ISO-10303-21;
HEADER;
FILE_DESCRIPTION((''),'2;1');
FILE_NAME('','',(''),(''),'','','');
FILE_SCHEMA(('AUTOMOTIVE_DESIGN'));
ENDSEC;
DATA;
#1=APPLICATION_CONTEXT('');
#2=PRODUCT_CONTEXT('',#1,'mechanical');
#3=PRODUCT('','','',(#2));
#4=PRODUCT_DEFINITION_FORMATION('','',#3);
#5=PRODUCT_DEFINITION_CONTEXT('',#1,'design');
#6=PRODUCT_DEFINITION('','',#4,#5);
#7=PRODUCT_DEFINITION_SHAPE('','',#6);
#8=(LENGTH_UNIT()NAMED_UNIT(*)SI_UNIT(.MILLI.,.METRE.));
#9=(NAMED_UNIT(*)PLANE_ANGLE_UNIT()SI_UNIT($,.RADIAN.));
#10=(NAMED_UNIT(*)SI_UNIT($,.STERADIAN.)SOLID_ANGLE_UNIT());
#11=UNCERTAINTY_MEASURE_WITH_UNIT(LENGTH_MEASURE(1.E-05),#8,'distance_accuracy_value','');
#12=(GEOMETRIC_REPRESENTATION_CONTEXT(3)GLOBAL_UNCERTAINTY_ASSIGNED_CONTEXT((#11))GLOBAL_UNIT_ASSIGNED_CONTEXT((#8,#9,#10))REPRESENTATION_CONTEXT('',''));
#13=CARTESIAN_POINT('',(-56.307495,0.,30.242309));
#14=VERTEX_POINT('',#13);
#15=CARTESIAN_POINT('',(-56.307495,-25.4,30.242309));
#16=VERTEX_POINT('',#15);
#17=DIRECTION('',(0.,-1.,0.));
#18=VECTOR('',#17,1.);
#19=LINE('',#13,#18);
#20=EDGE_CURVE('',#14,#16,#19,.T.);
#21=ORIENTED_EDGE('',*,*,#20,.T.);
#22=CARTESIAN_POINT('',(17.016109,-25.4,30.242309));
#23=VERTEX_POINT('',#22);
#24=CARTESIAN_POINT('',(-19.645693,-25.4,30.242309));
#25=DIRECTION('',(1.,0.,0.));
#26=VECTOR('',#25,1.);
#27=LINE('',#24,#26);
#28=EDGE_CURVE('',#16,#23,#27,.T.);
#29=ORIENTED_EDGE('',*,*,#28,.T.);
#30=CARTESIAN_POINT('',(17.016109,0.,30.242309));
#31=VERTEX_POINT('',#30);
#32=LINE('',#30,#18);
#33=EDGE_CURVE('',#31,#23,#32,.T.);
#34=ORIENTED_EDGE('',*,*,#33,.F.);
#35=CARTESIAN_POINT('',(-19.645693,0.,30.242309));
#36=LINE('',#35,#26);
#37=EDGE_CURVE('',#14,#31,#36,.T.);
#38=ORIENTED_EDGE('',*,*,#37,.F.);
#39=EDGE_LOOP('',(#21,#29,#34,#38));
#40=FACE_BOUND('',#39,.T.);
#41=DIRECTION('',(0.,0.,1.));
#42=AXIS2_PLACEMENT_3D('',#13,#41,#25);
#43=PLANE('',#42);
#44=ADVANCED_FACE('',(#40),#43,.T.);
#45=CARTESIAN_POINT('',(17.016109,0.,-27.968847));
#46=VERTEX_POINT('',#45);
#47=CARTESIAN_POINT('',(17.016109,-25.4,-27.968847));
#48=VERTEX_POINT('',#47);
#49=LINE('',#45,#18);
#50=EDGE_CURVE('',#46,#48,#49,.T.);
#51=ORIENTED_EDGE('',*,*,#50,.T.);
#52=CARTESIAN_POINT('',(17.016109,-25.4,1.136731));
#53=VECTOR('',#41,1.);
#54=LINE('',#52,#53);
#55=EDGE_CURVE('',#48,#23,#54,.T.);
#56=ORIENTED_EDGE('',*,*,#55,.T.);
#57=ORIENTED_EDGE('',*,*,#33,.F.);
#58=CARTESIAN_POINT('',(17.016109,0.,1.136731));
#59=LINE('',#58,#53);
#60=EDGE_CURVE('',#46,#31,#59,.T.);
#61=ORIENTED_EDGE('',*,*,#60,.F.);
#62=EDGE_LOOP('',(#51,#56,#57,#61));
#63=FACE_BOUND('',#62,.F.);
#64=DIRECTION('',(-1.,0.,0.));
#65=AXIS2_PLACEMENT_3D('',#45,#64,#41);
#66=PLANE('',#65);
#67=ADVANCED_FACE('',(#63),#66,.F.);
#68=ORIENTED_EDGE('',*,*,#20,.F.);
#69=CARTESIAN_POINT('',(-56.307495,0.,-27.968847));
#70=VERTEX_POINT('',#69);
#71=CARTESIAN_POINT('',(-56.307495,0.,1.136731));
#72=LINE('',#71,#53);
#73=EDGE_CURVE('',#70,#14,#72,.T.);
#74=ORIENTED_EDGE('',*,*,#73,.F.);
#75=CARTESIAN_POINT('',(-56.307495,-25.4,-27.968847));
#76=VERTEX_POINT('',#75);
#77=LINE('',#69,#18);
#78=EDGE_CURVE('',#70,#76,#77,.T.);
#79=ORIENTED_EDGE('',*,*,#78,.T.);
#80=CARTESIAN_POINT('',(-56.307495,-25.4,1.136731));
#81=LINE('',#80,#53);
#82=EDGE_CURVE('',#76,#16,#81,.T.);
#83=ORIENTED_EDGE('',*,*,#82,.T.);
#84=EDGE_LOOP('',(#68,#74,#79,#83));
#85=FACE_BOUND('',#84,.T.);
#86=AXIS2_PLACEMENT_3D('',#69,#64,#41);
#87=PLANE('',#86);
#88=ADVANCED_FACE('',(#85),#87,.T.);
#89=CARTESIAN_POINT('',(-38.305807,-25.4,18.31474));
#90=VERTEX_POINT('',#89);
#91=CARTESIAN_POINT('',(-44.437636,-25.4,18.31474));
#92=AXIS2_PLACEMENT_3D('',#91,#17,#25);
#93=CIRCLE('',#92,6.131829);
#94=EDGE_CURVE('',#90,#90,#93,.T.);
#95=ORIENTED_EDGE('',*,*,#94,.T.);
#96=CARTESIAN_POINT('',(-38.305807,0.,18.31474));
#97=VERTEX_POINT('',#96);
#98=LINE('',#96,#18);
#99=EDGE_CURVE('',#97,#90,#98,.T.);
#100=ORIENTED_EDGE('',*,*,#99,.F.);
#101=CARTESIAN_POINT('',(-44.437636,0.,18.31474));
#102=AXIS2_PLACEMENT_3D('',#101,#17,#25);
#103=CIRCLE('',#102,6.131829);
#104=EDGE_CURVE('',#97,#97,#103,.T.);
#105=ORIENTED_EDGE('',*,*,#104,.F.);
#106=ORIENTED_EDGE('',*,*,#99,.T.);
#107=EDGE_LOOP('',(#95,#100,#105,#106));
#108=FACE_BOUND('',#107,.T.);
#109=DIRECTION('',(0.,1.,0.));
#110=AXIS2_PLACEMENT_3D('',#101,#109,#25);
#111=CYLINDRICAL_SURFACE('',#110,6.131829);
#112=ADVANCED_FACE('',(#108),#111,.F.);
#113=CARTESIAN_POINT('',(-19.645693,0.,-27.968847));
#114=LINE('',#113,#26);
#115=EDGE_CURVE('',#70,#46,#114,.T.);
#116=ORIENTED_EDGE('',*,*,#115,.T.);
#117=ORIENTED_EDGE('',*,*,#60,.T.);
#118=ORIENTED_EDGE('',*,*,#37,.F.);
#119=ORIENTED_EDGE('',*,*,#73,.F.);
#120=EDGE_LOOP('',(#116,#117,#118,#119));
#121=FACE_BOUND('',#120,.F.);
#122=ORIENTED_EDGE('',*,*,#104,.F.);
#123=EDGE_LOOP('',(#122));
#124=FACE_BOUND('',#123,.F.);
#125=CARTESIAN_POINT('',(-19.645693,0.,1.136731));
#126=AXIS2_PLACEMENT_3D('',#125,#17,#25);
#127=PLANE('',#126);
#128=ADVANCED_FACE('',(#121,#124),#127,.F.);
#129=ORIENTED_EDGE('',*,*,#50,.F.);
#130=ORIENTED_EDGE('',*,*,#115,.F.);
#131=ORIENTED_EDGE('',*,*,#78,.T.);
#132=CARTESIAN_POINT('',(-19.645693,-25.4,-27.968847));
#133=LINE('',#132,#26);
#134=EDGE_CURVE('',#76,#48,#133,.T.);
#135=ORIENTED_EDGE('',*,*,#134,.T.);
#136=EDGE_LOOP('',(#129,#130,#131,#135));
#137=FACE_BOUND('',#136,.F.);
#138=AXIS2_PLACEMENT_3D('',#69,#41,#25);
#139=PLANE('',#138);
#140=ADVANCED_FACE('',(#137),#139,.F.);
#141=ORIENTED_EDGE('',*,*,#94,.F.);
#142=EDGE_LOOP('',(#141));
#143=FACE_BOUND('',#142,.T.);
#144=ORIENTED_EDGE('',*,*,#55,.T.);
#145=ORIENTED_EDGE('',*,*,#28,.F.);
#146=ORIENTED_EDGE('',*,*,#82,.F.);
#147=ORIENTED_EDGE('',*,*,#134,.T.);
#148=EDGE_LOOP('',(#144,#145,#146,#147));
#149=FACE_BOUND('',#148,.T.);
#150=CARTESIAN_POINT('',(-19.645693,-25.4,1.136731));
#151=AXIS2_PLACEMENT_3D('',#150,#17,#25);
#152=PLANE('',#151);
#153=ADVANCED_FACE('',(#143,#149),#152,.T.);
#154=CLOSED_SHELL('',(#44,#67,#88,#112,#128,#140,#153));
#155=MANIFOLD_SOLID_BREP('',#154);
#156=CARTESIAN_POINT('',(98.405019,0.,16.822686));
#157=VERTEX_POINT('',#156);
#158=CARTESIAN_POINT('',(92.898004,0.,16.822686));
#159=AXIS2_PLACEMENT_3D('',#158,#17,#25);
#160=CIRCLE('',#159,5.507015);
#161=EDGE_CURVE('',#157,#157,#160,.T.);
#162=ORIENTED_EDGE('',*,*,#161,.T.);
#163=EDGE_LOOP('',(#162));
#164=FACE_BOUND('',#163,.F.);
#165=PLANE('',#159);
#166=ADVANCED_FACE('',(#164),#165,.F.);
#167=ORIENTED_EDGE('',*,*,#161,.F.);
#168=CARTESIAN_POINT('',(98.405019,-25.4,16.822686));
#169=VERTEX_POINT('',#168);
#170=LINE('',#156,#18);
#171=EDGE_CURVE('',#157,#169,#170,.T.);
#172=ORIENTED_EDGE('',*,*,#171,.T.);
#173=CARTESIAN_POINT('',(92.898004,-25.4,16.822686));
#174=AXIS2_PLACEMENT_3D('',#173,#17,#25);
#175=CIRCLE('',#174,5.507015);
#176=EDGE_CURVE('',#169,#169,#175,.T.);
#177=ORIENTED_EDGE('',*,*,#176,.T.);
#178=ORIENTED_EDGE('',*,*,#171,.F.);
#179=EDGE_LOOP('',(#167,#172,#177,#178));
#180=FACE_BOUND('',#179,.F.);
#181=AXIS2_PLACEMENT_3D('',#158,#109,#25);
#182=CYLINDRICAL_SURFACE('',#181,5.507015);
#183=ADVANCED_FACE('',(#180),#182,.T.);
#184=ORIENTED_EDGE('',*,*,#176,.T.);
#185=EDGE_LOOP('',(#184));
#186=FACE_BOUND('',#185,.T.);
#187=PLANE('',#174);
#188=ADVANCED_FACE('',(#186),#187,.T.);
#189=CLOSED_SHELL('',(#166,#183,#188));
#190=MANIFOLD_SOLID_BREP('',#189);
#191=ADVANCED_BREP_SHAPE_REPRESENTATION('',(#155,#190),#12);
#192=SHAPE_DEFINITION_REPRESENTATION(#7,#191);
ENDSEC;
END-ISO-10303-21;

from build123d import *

# Parameters (mm, degrees)
F0_W     = 73.323604
F0_H     = 58.211155
F0_R     = 6.131829
F0_R_2   = 5.507015
F1_DEPTH = 25.4


with BuildPart() as f1:
    # F0 (on Front) → F1 (new body)
    with BuildSketch(Plane.XZ):
        with Locations((-19.645693, 1.136731)):
            Rectangle(F0_W, F0_H)
        with Locations((-44.437636, 18.31474)):
            Circle(F0_R, mode=Mode.SUBTRACT)
        with Locations((92.898004, 16.822686)):
            Circle(F0_R_2)
    extrude(amount=F1_DEPTH)


solid = f1.part
